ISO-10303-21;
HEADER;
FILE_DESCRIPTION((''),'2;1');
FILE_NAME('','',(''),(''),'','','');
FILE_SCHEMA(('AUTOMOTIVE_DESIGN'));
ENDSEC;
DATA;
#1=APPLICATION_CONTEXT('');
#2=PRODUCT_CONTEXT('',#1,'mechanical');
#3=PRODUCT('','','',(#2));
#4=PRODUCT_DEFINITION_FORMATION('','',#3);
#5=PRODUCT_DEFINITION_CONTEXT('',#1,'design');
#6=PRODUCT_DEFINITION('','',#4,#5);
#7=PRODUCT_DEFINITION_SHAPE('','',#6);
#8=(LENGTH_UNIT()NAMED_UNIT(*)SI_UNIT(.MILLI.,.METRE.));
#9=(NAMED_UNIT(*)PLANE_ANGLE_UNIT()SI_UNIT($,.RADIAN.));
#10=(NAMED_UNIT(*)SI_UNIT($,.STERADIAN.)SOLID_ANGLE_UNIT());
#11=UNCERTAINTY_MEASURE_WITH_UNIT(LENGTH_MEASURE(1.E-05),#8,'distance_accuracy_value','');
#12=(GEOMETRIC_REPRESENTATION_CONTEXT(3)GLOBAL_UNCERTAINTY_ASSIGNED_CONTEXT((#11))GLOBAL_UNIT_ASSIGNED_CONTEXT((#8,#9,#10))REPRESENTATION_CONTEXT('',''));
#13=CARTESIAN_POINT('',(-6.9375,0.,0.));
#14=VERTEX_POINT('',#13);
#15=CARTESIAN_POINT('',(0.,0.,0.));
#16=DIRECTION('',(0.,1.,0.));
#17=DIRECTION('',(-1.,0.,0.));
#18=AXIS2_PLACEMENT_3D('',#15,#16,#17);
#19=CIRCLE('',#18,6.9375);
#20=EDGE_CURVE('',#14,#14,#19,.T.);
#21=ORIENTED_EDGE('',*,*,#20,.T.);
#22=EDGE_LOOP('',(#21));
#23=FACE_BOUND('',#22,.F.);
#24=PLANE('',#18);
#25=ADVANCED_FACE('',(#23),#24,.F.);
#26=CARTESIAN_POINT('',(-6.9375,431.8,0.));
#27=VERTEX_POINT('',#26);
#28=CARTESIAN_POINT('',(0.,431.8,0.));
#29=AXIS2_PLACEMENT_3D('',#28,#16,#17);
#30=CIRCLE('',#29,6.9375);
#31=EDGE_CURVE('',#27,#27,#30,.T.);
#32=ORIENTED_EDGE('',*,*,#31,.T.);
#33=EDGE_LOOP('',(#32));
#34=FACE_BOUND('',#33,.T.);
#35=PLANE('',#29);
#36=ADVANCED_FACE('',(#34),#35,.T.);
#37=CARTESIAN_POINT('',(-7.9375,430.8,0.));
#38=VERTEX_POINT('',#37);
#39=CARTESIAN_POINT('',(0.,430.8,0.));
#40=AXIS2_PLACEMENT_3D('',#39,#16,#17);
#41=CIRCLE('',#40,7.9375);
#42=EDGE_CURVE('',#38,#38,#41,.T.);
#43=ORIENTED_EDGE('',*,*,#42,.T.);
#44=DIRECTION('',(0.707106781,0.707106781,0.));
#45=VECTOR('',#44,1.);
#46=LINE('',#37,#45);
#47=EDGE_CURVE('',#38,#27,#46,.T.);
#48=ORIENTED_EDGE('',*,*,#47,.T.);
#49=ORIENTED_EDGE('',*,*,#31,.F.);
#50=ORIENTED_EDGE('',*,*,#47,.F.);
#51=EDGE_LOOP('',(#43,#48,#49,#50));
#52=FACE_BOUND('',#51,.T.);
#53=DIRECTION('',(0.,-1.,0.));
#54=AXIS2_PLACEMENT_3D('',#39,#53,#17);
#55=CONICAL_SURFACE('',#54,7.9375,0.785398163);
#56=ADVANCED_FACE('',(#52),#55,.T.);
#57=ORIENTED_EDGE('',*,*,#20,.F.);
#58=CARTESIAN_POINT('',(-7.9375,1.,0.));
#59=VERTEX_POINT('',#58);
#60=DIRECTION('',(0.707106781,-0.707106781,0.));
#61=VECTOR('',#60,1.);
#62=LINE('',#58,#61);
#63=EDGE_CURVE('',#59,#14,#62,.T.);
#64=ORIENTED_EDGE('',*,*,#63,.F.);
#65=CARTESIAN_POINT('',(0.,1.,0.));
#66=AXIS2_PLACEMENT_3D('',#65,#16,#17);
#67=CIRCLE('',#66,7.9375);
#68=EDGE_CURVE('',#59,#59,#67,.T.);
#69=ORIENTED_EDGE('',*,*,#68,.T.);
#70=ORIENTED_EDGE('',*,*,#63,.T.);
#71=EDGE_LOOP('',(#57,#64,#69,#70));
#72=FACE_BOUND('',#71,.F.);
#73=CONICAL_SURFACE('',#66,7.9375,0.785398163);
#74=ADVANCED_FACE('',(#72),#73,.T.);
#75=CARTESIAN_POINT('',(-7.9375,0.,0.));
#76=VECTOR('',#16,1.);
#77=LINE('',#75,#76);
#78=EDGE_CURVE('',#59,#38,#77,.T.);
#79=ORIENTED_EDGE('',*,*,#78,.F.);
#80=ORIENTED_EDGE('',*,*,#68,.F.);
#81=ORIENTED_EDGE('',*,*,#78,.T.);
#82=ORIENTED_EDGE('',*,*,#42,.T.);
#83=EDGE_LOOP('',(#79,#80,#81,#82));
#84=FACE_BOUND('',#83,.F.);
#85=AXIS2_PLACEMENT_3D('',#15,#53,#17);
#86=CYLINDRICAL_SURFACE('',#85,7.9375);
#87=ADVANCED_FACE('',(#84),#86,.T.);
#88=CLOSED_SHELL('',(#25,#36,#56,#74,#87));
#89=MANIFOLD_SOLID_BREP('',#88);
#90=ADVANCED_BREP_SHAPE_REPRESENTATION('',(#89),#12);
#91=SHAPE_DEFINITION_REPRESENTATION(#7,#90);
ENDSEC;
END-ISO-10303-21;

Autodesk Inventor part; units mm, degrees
ref_plane "YZ Plane" through (0, 0, 0) normal (1, 0, 0) x (0, 1, 0)
ref_plane "XZ Plane" through (0, 0, 0) normal (0, 1, 0) x (-1, 0, 0)
ref_plane "XY Plane" through (0, 0, 0) normal (0, 0, 1) x (1, 0, 0)
sketch "Sketch1" plane through (0, 0, 0) normal (0, 1, 0) x (-1, 0, 0)
  circle A0 centre (0, 0) radius 7.9375
  dimension "d0" = 15.875
extrude "Extrusion1" add sketch "Sketch1" along normal blind 431.8
chamfer "Chamfer1" distance 1 angle 45 2 edges at (7.9375, 431.8, 0) (7.9375, 0, 0)
properties part number "Durometer_Slide_Shaft"
